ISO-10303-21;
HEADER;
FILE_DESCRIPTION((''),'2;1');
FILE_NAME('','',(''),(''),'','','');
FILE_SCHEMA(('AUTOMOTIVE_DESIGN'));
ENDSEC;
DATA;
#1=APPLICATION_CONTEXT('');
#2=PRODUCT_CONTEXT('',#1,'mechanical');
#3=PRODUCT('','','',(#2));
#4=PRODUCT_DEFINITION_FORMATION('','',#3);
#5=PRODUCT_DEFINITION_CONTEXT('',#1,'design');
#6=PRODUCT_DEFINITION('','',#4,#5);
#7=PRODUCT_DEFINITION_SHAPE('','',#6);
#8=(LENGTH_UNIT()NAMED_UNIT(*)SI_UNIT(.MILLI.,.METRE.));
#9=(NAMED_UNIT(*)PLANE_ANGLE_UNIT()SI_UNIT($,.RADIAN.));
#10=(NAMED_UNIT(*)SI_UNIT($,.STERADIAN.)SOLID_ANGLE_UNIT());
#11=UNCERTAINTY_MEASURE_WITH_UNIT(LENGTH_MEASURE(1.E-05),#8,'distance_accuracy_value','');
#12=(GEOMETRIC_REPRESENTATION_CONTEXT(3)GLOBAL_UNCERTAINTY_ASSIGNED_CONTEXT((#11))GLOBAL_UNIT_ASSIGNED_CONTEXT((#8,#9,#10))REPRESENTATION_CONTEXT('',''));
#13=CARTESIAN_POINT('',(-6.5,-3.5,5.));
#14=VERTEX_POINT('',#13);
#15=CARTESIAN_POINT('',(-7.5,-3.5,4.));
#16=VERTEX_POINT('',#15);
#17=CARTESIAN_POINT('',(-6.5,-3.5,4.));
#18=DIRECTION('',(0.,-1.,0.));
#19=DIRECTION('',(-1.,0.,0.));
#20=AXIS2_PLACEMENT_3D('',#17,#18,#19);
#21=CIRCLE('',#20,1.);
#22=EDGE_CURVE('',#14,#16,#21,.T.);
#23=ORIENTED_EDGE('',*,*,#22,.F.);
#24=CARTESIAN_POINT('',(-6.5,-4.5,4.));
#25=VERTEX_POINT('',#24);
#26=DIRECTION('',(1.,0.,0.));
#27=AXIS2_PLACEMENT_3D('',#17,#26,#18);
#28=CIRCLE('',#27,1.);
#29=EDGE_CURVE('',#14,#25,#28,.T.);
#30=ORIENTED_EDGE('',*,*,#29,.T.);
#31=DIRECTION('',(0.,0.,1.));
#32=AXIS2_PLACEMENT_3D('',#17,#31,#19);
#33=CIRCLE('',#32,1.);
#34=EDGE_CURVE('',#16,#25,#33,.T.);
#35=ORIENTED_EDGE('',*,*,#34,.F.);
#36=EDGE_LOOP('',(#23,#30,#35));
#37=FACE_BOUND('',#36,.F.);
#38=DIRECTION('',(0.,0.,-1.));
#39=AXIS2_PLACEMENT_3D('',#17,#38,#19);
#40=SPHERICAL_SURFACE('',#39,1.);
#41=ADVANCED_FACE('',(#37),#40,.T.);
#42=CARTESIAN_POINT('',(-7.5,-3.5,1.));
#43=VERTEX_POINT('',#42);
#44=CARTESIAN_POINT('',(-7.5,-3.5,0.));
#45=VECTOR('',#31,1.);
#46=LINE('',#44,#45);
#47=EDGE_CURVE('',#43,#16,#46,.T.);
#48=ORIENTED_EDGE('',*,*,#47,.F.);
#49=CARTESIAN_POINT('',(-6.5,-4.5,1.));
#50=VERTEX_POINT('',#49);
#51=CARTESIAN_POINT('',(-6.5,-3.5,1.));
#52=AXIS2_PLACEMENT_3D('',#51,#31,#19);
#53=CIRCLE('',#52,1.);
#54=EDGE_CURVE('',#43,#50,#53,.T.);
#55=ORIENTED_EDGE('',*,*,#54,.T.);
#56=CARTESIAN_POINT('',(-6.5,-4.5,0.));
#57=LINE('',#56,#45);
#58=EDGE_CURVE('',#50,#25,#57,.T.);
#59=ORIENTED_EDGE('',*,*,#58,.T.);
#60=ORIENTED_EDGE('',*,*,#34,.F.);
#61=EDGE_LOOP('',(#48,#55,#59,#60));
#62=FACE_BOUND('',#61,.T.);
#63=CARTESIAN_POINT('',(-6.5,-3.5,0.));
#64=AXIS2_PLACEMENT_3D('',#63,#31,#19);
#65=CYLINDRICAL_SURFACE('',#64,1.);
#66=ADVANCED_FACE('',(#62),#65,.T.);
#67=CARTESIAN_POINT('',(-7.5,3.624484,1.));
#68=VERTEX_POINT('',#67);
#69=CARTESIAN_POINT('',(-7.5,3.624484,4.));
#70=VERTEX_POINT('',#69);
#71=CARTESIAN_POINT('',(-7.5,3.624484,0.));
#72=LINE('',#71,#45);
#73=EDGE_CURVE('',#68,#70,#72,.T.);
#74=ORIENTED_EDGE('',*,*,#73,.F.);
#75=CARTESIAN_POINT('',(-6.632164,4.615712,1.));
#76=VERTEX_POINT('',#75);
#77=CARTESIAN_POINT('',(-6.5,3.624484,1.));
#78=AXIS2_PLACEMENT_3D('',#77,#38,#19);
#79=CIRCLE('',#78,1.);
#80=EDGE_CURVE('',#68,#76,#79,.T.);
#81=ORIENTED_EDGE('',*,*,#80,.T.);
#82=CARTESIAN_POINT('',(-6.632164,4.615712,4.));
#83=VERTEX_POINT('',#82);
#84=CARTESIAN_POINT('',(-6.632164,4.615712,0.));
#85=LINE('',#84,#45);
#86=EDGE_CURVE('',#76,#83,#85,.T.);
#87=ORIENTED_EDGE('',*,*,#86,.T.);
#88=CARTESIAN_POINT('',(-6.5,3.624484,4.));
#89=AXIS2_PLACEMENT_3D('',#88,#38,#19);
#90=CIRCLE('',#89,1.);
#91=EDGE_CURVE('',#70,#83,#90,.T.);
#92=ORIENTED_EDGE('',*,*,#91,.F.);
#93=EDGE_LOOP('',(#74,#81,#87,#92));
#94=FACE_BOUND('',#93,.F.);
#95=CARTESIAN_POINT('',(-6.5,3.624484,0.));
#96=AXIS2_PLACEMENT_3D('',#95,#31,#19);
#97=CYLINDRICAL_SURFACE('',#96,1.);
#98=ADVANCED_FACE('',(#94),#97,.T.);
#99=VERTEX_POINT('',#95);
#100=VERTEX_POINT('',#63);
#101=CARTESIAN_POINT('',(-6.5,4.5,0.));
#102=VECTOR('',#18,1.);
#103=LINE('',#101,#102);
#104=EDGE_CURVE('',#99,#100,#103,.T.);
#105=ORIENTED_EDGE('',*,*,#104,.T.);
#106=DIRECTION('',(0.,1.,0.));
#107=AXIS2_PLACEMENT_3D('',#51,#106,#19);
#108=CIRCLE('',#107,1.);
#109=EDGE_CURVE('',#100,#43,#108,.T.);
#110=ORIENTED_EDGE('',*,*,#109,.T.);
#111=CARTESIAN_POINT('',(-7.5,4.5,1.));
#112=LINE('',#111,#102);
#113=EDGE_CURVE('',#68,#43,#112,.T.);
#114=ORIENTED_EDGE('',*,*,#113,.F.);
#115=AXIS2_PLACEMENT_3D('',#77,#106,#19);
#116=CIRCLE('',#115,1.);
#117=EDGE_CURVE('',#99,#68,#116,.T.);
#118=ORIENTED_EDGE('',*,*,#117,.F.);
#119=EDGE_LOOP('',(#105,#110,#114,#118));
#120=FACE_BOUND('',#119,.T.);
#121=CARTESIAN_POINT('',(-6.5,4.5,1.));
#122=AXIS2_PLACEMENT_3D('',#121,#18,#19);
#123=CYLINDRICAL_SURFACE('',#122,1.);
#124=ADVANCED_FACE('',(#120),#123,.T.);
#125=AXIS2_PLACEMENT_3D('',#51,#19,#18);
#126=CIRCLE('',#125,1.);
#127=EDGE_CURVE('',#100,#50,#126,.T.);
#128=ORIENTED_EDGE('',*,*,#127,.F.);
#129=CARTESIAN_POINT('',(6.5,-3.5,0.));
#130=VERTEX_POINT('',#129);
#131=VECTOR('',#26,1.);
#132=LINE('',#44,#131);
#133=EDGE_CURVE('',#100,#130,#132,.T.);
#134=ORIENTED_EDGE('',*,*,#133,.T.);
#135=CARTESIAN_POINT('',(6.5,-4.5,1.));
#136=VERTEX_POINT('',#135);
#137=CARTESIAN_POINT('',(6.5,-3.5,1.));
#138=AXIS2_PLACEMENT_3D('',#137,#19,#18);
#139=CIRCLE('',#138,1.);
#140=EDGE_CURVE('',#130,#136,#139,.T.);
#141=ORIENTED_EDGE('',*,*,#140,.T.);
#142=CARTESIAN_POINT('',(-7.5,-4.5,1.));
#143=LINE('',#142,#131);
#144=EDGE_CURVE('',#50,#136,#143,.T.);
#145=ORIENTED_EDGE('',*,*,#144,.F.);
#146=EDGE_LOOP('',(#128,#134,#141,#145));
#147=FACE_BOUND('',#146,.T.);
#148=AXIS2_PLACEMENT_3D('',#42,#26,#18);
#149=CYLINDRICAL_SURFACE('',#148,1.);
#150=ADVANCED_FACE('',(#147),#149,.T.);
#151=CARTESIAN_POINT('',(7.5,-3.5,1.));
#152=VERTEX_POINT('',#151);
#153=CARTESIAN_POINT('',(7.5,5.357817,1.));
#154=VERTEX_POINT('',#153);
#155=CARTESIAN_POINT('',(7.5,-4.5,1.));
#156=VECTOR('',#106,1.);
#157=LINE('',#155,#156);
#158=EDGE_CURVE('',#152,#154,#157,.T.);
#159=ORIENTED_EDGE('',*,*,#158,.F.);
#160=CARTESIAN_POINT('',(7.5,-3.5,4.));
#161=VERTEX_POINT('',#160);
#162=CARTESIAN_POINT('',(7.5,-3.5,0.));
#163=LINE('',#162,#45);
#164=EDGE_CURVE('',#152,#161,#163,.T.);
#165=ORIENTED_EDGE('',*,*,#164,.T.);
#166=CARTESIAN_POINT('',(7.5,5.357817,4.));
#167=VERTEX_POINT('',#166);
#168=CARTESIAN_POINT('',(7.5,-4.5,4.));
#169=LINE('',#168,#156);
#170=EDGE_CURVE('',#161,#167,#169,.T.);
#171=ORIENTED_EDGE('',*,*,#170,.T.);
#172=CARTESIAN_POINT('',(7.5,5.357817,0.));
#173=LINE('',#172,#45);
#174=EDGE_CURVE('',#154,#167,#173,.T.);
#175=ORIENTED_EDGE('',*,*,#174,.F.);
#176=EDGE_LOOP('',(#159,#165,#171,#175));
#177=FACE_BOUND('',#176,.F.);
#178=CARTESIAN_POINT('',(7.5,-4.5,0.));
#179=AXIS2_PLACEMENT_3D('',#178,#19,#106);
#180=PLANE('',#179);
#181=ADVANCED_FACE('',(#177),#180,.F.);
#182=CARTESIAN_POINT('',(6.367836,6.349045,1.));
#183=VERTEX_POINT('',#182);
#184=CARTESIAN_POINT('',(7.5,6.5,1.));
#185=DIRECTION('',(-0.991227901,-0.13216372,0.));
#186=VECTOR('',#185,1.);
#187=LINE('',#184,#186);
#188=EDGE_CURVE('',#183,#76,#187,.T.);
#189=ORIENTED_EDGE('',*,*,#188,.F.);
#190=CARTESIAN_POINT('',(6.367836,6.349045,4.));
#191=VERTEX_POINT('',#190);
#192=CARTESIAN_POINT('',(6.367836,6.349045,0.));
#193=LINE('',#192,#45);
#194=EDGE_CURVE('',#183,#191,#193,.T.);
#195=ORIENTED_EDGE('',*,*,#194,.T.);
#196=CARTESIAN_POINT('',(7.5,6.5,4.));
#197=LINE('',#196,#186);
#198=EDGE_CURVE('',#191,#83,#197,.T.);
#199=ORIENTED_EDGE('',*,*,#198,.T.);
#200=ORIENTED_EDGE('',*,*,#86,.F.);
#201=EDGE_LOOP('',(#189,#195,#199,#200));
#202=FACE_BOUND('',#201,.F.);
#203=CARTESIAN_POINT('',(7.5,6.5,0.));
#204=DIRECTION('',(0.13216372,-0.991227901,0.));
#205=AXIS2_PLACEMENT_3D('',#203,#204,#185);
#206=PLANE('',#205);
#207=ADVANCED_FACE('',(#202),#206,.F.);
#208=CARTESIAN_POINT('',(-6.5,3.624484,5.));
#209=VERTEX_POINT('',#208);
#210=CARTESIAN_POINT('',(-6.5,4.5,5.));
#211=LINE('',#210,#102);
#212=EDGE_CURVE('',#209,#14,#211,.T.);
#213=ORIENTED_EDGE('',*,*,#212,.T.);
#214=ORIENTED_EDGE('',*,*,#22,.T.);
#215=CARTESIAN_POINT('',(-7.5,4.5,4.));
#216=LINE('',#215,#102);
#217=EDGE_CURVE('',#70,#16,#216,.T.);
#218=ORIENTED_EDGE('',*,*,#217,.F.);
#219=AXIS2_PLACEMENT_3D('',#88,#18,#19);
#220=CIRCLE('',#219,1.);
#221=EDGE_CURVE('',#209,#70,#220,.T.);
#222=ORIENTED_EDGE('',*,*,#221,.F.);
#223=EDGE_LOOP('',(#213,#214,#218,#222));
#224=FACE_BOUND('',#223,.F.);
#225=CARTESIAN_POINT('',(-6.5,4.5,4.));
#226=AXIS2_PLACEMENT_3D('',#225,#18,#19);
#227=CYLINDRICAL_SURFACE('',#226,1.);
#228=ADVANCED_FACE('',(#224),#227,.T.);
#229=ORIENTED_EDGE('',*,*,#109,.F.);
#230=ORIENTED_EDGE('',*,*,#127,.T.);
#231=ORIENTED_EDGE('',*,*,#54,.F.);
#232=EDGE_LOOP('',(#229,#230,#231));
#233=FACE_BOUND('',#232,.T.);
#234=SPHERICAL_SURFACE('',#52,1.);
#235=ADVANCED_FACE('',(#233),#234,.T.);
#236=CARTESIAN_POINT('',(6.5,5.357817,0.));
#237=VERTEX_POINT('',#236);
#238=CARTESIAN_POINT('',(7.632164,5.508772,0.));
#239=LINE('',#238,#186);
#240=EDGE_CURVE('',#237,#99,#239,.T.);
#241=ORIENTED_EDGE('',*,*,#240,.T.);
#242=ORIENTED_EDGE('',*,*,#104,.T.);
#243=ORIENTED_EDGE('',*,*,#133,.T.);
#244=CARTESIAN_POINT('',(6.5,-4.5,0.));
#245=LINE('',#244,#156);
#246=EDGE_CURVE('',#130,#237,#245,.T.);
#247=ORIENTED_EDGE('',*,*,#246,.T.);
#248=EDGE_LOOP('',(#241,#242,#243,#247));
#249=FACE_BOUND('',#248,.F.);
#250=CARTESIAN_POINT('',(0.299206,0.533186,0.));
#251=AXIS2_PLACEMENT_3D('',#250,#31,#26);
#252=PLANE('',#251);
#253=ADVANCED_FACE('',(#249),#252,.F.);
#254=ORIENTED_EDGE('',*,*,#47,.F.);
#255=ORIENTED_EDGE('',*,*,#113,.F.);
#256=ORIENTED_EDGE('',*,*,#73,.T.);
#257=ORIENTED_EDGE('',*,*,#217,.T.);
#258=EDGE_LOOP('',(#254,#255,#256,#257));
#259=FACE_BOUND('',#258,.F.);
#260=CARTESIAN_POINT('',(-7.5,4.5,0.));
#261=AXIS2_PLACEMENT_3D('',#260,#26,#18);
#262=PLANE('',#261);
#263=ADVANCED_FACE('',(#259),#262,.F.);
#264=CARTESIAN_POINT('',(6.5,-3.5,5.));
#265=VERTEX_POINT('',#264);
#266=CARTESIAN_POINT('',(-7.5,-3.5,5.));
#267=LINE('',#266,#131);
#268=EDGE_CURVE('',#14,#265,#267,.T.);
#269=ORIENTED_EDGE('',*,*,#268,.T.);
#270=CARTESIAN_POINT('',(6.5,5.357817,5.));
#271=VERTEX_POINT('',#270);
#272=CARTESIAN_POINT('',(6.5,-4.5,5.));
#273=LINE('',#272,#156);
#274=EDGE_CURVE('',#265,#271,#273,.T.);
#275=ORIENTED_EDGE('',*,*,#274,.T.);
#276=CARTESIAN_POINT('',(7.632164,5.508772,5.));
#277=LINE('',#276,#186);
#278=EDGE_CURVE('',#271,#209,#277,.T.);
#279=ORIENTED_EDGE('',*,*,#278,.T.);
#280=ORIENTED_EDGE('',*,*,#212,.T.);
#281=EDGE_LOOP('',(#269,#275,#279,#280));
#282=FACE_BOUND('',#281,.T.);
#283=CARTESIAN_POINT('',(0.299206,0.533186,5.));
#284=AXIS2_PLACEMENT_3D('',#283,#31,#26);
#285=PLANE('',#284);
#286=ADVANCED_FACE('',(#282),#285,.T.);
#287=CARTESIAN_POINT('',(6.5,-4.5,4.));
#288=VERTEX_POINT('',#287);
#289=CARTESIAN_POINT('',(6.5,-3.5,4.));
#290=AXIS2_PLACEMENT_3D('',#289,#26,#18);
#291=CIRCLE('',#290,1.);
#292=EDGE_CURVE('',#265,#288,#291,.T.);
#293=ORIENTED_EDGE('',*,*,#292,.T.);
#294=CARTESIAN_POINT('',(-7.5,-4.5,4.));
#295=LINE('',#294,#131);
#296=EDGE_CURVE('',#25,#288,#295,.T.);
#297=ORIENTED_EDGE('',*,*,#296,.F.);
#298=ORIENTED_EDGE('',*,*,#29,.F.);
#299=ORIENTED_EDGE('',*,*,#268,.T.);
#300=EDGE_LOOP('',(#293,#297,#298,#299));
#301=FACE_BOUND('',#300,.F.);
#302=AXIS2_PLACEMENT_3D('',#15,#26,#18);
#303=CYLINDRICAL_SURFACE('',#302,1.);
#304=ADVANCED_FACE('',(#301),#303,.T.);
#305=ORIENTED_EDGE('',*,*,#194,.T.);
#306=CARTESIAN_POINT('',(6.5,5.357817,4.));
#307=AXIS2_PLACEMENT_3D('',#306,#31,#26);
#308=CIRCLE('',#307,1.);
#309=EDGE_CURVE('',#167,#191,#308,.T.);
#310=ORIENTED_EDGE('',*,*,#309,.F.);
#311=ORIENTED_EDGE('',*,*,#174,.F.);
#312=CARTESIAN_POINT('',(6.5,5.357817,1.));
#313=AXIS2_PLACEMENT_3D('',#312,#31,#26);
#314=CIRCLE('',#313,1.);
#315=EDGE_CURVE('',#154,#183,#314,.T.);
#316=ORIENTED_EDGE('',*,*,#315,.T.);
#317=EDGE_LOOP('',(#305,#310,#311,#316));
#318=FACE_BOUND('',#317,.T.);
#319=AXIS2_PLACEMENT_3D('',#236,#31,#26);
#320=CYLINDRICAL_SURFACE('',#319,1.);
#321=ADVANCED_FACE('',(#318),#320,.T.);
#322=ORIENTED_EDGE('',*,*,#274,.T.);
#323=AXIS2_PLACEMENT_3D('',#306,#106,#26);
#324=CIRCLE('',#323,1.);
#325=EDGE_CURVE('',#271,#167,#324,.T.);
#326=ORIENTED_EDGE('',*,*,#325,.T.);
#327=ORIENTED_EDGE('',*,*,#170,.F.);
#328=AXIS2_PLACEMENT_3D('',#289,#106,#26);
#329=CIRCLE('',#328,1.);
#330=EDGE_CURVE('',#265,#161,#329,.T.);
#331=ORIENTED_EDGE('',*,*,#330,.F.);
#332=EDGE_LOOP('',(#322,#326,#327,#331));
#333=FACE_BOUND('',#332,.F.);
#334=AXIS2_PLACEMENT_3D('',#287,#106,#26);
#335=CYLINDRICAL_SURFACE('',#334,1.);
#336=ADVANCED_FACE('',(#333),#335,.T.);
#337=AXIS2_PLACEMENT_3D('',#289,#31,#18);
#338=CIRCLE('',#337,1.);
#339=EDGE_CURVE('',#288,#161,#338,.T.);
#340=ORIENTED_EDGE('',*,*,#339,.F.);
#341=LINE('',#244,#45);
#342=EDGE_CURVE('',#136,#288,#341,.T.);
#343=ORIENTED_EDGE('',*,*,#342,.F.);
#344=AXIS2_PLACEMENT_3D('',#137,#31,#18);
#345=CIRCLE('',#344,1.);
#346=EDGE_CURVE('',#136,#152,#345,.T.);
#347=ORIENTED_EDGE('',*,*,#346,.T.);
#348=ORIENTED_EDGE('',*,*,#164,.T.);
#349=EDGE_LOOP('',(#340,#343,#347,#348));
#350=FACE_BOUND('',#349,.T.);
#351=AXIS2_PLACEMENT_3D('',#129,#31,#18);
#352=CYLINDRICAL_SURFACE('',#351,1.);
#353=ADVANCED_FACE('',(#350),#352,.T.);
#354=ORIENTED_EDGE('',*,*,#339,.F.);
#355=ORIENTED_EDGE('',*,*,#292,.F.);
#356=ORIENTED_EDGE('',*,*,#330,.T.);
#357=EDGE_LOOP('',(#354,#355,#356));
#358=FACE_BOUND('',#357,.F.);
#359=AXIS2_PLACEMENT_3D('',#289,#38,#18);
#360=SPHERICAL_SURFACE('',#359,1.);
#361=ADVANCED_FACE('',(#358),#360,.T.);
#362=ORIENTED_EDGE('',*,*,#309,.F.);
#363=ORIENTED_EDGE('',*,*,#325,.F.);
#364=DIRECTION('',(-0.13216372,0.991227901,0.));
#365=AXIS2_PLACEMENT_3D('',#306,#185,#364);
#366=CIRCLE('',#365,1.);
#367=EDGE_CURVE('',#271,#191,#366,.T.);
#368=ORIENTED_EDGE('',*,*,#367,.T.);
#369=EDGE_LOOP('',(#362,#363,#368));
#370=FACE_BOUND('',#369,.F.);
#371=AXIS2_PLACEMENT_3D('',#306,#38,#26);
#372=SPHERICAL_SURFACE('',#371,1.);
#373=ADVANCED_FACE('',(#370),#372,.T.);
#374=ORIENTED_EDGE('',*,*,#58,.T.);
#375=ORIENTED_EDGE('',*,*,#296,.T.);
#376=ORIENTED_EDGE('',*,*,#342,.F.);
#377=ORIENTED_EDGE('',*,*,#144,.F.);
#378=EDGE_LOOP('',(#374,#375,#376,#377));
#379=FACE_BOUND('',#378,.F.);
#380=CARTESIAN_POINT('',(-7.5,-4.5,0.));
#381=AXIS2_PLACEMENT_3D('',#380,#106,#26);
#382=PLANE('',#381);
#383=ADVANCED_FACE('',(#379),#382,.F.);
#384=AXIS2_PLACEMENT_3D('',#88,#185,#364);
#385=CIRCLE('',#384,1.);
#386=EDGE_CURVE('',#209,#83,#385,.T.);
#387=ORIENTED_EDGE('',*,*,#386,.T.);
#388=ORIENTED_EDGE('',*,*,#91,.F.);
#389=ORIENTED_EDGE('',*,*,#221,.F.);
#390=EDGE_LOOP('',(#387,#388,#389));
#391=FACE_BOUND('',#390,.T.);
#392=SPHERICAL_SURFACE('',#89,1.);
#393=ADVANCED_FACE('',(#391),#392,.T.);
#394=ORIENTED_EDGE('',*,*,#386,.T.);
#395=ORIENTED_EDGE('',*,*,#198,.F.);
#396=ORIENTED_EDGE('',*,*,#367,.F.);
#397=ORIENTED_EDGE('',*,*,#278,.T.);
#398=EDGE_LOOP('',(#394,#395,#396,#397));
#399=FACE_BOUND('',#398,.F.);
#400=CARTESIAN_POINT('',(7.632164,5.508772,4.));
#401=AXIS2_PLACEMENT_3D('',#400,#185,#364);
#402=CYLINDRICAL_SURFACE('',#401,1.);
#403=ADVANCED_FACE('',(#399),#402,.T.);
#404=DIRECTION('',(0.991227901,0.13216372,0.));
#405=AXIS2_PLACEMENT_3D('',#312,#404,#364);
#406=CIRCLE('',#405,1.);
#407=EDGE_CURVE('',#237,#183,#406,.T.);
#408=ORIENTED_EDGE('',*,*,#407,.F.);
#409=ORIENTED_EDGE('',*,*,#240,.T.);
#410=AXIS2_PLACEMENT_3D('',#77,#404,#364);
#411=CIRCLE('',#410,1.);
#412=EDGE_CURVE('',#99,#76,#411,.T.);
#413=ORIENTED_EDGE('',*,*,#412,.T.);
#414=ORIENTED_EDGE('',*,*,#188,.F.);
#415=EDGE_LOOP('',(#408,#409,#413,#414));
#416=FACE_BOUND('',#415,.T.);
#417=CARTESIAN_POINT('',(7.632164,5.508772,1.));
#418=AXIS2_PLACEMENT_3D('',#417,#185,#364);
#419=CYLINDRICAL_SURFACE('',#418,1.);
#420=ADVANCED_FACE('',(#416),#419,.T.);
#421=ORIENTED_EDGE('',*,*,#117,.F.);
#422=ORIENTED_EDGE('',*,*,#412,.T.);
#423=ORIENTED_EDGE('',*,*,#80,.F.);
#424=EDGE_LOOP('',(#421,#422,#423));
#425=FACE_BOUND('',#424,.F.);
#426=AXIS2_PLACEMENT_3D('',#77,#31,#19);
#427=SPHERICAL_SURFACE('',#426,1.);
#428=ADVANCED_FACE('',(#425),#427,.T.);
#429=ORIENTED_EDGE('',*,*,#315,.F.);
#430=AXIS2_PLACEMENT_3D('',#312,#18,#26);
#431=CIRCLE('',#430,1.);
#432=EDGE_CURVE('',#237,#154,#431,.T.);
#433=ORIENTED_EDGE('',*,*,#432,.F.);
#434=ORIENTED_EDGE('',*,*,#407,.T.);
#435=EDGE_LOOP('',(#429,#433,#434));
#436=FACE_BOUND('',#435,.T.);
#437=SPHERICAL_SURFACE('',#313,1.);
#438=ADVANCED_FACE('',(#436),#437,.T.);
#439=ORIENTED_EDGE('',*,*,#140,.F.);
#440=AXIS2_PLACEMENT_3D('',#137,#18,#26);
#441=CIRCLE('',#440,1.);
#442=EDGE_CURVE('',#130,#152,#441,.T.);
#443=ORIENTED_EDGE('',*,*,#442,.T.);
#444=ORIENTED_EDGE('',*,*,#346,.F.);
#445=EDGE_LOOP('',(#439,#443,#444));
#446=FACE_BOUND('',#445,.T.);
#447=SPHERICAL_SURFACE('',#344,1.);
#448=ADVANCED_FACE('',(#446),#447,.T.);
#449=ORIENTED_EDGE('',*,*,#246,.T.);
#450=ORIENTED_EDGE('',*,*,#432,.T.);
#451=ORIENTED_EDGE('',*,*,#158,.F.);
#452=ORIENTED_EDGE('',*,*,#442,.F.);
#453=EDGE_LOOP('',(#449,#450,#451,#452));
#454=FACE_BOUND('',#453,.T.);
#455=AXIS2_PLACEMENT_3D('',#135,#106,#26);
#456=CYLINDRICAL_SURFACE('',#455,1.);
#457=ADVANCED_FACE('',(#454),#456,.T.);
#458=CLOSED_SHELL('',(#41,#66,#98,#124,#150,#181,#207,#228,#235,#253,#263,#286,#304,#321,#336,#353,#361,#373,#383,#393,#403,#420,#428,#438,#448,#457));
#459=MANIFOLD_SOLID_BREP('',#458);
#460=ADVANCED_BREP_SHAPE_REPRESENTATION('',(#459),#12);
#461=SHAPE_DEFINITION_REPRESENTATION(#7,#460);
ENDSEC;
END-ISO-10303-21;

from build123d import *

# Parameters (mm, degrees)
EXTRUDE_DEPTH = 5
FILLET_R      = 1


with BuildPart() as part:
    # Sketch → Extrude (new body)
    with BuildSketch(Plane.XY):
        Polygon((-7.5, 4.5), (-7.5, -4.5), (7.5, -4.5), (7.5, 6.5), align=None)
    extrude(amount=EXTRUDE_DEPTH)

    # Fillet
    fillet_edges = [part.edges().sort_by_distance(p)[0] for p in [
        (-7.5, 4.5, 2.5),
        (-7.5, -4.5, 2.5),
        (-7.5, 0, 0),
        (-7.5, 0, 5),
        (7.5, -4.5, 2.5),
        (0, -4.5, 0),
        (0, -4.5, 5),
        (7.5, 6.5, 2.5),
        (7.5, 1, 0),
        (7.5, 1, 5),
        (0, 5.5, 0),
        (0, 5.5, 5),
    ]]
    fillet(fillet_edges, radius=FILLET_R)


solid = part.part
